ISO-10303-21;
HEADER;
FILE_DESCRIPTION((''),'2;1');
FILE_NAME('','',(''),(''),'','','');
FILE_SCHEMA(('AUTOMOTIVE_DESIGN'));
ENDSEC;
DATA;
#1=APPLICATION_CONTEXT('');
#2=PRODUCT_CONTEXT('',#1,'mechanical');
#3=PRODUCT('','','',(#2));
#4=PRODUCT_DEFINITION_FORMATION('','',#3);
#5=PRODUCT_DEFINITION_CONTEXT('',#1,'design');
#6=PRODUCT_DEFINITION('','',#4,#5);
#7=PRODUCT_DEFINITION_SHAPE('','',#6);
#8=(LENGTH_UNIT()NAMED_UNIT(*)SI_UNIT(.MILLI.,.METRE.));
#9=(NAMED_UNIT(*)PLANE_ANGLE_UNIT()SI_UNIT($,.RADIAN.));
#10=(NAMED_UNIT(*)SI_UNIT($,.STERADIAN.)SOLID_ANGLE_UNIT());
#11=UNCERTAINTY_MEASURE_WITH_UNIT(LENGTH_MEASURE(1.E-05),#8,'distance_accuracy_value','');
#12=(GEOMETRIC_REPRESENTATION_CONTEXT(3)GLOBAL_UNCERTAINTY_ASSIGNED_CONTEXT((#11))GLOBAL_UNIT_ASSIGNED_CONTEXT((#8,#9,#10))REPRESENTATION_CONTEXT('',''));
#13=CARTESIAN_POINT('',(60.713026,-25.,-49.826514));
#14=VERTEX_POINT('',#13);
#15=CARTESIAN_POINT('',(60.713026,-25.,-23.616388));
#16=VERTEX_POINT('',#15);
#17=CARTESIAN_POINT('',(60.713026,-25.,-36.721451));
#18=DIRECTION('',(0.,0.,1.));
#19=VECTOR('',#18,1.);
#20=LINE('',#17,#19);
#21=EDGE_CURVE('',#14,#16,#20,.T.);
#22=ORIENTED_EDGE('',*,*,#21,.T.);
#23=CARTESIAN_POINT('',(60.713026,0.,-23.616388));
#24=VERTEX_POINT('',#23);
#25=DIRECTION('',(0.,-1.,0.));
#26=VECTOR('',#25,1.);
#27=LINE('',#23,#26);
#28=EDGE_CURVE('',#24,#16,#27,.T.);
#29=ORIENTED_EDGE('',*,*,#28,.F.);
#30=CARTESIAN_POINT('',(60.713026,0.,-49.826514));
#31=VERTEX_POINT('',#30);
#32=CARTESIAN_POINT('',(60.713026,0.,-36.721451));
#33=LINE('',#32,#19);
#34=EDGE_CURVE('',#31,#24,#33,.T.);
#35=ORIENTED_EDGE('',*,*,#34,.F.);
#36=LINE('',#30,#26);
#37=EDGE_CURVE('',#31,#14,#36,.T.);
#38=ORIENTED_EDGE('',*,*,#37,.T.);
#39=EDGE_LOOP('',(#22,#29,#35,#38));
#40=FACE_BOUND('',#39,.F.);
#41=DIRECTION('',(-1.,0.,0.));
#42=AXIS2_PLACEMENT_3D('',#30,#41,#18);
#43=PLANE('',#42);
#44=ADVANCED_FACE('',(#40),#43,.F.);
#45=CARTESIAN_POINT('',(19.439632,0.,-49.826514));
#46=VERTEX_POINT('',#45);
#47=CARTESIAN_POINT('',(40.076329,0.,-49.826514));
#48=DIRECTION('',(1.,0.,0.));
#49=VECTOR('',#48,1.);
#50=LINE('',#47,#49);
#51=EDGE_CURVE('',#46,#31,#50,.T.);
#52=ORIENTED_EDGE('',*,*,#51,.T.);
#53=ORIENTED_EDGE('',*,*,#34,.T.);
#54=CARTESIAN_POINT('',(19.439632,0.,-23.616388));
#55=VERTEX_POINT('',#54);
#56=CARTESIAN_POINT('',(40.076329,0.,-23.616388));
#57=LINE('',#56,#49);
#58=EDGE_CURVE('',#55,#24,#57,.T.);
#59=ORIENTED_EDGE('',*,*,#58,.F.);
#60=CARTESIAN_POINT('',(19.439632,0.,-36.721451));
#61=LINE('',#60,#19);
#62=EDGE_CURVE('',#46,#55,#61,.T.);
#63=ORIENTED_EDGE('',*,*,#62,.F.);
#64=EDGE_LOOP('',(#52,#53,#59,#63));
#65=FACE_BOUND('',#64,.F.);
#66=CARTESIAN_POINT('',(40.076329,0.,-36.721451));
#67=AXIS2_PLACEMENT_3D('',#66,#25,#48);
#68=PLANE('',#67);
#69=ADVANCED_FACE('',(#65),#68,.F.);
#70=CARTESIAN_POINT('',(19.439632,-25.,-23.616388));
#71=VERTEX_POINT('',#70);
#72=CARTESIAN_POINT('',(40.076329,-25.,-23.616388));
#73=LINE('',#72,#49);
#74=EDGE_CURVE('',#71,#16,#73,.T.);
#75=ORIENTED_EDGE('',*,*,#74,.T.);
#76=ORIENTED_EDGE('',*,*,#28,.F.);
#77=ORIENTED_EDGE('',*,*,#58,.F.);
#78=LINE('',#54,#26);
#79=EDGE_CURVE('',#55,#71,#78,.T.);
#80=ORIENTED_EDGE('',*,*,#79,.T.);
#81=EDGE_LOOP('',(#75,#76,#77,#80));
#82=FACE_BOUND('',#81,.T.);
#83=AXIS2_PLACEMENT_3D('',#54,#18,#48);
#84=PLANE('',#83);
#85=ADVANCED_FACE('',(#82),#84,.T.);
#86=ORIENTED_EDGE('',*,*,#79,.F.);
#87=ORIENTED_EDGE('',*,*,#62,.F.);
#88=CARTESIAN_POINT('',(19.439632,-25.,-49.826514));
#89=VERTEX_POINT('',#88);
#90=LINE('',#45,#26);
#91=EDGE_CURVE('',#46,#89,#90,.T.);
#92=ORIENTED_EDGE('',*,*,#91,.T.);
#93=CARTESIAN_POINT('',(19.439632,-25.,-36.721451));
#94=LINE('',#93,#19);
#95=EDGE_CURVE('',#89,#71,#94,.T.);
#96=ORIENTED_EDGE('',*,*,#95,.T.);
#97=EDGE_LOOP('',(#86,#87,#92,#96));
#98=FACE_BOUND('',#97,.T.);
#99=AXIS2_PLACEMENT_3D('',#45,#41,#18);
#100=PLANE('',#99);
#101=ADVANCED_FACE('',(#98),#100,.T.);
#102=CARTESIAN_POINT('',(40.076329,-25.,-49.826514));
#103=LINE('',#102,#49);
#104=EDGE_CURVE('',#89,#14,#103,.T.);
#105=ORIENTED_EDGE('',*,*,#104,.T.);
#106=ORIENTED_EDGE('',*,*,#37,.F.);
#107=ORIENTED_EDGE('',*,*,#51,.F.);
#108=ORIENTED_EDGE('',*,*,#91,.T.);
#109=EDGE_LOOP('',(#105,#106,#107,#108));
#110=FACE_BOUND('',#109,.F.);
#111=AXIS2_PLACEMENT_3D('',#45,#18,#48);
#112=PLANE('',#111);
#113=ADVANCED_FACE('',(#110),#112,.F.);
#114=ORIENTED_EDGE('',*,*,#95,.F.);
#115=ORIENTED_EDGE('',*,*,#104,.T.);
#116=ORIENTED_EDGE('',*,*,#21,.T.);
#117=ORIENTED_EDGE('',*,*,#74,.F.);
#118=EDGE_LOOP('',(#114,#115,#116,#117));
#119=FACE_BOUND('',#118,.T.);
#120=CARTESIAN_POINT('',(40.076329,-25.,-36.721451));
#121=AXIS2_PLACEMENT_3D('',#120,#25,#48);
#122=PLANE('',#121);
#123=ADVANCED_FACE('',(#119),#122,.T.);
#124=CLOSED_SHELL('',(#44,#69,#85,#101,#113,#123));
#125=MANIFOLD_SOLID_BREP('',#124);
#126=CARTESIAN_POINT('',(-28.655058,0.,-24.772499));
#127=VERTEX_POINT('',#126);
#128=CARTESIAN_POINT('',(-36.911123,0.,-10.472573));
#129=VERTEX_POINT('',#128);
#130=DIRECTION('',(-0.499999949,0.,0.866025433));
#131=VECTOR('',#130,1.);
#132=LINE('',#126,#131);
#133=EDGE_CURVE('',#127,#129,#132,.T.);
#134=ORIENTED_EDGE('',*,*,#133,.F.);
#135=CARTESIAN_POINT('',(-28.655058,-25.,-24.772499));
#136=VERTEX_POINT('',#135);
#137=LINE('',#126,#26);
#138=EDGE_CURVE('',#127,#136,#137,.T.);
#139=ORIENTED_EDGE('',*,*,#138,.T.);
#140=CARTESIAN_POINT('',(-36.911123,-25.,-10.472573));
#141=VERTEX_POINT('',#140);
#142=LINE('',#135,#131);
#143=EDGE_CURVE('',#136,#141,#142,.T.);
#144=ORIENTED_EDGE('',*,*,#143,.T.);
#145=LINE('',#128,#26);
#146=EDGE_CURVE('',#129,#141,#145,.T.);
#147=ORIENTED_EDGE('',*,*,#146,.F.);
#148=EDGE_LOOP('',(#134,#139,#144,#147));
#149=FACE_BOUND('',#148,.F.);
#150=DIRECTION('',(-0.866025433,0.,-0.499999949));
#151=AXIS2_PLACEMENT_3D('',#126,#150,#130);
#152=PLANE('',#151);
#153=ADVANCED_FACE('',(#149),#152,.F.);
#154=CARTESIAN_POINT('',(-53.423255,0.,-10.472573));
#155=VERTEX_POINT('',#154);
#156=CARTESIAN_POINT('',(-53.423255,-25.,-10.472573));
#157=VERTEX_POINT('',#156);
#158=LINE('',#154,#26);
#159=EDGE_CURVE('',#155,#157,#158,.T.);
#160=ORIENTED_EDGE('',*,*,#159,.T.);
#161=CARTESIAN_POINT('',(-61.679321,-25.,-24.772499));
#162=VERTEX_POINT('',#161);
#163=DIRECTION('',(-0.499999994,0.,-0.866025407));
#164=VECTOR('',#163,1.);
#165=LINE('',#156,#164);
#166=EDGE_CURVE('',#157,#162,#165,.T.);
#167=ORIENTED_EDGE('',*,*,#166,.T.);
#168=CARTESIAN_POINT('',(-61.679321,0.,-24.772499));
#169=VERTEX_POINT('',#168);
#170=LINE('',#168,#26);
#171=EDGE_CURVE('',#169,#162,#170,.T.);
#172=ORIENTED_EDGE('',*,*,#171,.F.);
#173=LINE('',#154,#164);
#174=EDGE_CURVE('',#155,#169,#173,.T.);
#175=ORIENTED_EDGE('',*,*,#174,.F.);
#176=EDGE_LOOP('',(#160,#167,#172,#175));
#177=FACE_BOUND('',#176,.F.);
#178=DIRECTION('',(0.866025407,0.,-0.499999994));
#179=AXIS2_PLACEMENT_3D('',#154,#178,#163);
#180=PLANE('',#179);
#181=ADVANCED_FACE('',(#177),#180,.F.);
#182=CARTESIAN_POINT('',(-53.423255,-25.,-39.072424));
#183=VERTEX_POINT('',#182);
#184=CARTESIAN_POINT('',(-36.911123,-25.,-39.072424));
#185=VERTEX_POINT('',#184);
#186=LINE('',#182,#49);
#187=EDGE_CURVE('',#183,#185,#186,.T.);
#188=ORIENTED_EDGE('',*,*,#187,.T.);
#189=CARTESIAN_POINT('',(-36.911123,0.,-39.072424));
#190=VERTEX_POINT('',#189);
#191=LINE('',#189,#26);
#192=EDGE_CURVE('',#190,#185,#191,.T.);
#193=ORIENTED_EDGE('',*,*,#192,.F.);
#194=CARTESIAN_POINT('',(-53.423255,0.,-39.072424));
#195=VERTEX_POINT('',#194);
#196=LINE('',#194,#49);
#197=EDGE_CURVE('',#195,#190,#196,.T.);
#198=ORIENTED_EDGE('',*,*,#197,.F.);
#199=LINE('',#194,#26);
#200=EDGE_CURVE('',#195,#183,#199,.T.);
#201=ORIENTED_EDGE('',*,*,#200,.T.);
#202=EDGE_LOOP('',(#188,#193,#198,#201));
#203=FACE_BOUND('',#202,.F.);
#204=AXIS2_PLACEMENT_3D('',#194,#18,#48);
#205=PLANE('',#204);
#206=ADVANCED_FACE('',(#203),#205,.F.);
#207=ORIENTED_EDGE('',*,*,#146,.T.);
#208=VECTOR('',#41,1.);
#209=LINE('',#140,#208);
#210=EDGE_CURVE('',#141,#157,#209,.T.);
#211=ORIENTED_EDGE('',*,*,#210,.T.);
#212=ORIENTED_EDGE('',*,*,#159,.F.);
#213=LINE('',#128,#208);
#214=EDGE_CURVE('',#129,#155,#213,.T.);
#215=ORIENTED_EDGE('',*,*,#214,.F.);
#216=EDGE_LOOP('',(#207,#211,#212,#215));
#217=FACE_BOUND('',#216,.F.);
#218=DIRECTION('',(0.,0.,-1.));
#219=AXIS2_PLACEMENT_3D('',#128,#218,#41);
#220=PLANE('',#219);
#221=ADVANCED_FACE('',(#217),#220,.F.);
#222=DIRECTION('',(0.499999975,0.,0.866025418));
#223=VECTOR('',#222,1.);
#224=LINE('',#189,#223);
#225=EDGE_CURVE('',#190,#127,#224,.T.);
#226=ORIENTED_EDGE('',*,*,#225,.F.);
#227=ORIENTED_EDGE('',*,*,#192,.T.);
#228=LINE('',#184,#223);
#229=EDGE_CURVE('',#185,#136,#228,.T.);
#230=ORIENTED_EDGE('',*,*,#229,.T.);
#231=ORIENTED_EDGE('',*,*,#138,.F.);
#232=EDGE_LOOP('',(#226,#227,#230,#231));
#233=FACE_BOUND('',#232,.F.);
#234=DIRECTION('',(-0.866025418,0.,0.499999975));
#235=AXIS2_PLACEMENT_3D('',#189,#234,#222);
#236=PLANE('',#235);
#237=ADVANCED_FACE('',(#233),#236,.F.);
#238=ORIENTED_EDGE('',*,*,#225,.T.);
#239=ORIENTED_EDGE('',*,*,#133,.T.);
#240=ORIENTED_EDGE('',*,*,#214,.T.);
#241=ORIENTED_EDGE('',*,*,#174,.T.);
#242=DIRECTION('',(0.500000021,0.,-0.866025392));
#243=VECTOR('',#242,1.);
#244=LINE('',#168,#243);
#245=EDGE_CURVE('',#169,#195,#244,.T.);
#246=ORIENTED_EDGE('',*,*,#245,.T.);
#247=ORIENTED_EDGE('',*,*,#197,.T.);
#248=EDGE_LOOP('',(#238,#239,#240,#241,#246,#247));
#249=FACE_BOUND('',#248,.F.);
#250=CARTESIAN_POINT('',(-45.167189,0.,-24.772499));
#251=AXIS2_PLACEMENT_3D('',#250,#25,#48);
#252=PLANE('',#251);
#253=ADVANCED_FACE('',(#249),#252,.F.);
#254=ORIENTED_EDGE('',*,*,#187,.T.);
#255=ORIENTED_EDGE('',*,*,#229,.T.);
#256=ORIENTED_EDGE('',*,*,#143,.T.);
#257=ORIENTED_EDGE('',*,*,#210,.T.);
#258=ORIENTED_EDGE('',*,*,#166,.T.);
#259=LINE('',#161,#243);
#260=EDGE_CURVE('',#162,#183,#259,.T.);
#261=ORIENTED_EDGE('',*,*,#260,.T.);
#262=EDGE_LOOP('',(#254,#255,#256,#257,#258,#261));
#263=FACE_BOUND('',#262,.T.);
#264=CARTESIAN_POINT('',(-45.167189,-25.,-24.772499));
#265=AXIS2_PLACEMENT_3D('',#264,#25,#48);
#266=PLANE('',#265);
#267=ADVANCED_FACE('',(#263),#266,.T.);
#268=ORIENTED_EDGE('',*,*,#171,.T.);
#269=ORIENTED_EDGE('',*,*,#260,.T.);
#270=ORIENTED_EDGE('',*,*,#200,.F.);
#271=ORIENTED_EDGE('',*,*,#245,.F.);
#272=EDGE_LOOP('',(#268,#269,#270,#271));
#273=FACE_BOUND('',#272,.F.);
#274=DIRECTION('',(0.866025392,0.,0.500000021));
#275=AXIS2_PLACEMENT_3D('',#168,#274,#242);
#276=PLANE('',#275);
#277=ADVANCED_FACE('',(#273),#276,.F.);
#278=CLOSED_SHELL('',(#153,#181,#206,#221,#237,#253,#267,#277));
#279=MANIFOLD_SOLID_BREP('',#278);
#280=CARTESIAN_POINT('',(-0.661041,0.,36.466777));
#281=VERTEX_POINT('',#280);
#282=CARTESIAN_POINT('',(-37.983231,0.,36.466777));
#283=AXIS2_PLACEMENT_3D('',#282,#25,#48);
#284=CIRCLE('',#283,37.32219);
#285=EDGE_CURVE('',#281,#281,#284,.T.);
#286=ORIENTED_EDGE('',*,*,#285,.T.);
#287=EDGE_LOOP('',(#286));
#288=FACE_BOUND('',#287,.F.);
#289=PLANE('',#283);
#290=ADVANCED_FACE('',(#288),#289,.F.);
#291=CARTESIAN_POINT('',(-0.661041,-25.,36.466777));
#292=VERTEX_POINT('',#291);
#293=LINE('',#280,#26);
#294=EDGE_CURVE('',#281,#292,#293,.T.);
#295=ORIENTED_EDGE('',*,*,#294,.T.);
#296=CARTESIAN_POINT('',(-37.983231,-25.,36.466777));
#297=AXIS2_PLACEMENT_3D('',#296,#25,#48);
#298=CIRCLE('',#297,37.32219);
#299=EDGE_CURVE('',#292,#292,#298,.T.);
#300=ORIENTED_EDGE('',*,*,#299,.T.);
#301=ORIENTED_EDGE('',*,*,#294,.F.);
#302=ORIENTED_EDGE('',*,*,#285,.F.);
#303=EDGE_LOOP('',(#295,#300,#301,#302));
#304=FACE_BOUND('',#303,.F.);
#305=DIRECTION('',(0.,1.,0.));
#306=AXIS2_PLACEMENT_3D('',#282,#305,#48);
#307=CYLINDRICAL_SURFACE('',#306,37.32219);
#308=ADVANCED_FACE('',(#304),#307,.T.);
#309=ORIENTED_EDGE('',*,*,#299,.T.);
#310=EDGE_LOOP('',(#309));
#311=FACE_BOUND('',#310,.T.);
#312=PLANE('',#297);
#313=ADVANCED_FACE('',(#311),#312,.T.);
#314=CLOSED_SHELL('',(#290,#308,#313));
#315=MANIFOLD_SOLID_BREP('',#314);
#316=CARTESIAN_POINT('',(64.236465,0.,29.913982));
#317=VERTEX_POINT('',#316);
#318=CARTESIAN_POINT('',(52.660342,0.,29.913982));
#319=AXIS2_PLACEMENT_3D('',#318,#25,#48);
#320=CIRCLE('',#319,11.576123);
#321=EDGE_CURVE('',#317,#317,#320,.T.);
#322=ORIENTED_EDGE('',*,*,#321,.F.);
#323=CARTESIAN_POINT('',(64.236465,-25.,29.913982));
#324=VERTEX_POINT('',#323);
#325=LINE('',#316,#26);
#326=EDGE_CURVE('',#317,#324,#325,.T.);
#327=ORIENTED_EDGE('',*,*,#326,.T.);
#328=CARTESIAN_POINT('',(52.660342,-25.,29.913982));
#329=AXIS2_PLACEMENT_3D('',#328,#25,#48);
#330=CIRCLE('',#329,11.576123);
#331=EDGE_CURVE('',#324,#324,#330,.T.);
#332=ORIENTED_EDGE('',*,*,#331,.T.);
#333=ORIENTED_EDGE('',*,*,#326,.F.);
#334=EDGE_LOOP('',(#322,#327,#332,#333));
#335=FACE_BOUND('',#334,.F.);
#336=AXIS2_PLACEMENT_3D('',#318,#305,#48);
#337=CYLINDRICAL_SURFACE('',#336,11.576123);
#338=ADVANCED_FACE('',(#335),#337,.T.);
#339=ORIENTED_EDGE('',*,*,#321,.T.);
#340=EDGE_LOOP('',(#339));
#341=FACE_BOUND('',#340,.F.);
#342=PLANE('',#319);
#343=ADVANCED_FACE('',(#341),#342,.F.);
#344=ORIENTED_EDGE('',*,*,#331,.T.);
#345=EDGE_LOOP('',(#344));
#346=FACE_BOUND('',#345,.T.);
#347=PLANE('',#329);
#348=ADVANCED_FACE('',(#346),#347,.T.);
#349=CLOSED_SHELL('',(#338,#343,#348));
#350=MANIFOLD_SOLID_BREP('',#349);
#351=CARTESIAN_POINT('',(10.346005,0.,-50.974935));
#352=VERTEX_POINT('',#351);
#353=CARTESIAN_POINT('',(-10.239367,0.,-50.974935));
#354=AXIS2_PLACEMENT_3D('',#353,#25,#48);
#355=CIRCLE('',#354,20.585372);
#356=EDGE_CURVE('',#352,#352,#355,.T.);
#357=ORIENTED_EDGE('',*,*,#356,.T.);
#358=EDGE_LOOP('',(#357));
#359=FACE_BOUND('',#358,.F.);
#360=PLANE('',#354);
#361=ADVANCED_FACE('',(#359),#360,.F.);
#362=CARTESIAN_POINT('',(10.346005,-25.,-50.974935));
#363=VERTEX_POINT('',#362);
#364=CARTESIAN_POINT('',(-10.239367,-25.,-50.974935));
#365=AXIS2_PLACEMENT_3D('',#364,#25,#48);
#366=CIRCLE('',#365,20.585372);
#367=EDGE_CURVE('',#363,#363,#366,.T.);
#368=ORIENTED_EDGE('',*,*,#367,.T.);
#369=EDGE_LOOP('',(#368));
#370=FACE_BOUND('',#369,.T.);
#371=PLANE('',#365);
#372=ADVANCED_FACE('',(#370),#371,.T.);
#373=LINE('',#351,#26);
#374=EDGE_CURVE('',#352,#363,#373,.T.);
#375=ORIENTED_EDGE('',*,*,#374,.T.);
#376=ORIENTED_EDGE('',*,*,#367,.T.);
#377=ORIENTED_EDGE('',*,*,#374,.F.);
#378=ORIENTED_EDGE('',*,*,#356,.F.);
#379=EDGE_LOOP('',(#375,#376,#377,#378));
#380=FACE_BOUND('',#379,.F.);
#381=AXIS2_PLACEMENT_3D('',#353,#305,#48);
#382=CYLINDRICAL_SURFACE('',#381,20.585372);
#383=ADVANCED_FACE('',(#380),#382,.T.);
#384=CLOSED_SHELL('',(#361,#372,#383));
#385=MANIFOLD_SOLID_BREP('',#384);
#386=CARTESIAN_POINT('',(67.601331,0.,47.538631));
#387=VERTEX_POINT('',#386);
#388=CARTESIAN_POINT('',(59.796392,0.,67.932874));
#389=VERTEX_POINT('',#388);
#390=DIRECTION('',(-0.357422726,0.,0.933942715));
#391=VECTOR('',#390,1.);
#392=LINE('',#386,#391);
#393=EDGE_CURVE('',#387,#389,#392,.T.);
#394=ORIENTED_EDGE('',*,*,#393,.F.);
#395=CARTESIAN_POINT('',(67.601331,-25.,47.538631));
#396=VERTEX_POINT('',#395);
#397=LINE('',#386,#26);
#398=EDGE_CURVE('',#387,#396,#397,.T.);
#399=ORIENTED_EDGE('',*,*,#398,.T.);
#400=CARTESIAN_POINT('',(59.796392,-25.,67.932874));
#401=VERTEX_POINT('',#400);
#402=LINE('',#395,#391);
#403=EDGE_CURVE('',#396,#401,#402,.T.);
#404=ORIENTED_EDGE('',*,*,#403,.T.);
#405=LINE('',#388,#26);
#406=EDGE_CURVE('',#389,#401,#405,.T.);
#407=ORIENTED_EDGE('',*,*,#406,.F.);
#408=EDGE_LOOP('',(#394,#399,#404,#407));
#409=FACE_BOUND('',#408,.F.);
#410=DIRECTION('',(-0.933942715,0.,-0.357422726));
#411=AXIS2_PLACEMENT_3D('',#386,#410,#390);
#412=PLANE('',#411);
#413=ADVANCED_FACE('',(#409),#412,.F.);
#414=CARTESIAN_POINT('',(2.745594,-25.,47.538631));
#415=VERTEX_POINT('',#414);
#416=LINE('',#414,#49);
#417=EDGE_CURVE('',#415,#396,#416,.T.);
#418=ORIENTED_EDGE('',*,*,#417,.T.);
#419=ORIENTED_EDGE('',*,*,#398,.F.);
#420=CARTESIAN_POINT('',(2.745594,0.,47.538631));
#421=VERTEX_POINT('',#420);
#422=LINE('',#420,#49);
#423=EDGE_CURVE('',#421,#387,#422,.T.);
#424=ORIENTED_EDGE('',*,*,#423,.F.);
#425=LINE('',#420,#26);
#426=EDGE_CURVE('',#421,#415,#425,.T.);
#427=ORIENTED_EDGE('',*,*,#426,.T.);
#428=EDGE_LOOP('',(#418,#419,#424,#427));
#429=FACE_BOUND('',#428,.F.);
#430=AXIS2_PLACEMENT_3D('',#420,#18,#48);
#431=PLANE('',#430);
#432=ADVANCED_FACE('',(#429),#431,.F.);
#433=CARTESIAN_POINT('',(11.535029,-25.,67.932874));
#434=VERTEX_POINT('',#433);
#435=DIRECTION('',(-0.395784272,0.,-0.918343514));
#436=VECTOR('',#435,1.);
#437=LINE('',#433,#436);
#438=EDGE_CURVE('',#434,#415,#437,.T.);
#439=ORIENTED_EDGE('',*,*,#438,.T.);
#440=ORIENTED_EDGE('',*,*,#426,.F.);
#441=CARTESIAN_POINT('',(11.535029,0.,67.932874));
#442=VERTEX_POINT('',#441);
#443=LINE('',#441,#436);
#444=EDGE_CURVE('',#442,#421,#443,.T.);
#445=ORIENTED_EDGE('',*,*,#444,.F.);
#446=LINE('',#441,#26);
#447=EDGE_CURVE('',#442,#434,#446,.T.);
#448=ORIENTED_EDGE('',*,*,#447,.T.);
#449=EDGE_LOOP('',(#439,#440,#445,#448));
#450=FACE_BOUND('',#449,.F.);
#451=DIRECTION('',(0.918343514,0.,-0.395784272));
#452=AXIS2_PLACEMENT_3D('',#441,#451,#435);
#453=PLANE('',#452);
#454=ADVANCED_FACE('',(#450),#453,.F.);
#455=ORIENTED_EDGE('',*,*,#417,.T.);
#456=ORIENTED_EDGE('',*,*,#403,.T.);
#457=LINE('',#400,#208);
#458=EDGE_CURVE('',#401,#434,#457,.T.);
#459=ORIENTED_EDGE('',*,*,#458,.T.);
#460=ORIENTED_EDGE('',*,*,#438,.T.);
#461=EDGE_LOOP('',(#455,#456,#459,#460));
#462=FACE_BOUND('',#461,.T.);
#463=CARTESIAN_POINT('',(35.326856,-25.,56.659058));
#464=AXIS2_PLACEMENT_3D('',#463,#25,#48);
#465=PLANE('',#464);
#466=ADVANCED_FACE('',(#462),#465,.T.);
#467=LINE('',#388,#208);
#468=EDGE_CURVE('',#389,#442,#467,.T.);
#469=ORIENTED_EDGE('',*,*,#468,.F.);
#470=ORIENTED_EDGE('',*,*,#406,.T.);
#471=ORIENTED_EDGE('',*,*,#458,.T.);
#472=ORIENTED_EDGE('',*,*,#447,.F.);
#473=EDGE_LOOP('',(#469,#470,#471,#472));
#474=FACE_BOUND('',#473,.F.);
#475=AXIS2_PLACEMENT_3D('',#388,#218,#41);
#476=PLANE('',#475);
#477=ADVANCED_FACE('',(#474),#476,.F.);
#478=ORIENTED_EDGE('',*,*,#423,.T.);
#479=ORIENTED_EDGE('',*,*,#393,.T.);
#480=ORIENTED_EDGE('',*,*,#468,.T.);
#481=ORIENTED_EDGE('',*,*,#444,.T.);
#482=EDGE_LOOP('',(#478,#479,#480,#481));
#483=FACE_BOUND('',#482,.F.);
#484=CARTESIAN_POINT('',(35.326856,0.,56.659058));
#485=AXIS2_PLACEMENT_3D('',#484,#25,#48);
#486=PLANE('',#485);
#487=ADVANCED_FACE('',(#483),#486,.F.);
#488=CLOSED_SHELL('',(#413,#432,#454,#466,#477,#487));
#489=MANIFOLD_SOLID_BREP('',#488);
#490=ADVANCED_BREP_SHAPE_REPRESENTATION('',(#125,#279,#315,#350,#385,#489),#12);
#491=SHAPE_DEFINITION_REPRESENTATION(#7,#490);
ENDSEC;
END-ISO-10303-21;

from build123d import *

# Parameters (mm, degrees)
F0_R     = 11.576123
F0_W     = 41.273395
F0_H     = 26.210126
F0_R_2   = 20.585372
F1_DEPTH = 25
F0_R_3   = 37.32219
F2_DEPTH = 25


with BuildPart() as f1:
    # F0 (on Front) → F1 (new body)
    with BuildSketch(Plane.XZ):
        with Locations((52.660342, 29.913982)):
            Circle(F0_R)
        Polygon((11.535029, 67.932874), (2.745594, 47.538631), (67.601331, 47.538631), (59.796392, 67.932874), align=None)
        with Locations((40.076329, -36.721451)):
            Rectangle(F0_W, F0_H)
        with Locations((-10.239367, -50.974935)):
            Circle(F0_R_2)
        Polygon((-53.423255, -39.072424), (-36.911123, -39.072424), (-28.655058, -24.772499), (-36.911123, -10.472573), (-53.423255, -10.472573), (-61.679321, -24.772499), align=None)
    extrude(amount=F1_DEPTH)


with BuildPart() as f2:
    # F0 (on Front) → F2 (new body)
    with BuildSketch(Plane.XZ):
        with Locations((-37.983231, 36.466777)):
            Circle(F0_R_3)
    extrude(amount=F2_DEPTH)


solid = Compound([f1.part, f2.part])
